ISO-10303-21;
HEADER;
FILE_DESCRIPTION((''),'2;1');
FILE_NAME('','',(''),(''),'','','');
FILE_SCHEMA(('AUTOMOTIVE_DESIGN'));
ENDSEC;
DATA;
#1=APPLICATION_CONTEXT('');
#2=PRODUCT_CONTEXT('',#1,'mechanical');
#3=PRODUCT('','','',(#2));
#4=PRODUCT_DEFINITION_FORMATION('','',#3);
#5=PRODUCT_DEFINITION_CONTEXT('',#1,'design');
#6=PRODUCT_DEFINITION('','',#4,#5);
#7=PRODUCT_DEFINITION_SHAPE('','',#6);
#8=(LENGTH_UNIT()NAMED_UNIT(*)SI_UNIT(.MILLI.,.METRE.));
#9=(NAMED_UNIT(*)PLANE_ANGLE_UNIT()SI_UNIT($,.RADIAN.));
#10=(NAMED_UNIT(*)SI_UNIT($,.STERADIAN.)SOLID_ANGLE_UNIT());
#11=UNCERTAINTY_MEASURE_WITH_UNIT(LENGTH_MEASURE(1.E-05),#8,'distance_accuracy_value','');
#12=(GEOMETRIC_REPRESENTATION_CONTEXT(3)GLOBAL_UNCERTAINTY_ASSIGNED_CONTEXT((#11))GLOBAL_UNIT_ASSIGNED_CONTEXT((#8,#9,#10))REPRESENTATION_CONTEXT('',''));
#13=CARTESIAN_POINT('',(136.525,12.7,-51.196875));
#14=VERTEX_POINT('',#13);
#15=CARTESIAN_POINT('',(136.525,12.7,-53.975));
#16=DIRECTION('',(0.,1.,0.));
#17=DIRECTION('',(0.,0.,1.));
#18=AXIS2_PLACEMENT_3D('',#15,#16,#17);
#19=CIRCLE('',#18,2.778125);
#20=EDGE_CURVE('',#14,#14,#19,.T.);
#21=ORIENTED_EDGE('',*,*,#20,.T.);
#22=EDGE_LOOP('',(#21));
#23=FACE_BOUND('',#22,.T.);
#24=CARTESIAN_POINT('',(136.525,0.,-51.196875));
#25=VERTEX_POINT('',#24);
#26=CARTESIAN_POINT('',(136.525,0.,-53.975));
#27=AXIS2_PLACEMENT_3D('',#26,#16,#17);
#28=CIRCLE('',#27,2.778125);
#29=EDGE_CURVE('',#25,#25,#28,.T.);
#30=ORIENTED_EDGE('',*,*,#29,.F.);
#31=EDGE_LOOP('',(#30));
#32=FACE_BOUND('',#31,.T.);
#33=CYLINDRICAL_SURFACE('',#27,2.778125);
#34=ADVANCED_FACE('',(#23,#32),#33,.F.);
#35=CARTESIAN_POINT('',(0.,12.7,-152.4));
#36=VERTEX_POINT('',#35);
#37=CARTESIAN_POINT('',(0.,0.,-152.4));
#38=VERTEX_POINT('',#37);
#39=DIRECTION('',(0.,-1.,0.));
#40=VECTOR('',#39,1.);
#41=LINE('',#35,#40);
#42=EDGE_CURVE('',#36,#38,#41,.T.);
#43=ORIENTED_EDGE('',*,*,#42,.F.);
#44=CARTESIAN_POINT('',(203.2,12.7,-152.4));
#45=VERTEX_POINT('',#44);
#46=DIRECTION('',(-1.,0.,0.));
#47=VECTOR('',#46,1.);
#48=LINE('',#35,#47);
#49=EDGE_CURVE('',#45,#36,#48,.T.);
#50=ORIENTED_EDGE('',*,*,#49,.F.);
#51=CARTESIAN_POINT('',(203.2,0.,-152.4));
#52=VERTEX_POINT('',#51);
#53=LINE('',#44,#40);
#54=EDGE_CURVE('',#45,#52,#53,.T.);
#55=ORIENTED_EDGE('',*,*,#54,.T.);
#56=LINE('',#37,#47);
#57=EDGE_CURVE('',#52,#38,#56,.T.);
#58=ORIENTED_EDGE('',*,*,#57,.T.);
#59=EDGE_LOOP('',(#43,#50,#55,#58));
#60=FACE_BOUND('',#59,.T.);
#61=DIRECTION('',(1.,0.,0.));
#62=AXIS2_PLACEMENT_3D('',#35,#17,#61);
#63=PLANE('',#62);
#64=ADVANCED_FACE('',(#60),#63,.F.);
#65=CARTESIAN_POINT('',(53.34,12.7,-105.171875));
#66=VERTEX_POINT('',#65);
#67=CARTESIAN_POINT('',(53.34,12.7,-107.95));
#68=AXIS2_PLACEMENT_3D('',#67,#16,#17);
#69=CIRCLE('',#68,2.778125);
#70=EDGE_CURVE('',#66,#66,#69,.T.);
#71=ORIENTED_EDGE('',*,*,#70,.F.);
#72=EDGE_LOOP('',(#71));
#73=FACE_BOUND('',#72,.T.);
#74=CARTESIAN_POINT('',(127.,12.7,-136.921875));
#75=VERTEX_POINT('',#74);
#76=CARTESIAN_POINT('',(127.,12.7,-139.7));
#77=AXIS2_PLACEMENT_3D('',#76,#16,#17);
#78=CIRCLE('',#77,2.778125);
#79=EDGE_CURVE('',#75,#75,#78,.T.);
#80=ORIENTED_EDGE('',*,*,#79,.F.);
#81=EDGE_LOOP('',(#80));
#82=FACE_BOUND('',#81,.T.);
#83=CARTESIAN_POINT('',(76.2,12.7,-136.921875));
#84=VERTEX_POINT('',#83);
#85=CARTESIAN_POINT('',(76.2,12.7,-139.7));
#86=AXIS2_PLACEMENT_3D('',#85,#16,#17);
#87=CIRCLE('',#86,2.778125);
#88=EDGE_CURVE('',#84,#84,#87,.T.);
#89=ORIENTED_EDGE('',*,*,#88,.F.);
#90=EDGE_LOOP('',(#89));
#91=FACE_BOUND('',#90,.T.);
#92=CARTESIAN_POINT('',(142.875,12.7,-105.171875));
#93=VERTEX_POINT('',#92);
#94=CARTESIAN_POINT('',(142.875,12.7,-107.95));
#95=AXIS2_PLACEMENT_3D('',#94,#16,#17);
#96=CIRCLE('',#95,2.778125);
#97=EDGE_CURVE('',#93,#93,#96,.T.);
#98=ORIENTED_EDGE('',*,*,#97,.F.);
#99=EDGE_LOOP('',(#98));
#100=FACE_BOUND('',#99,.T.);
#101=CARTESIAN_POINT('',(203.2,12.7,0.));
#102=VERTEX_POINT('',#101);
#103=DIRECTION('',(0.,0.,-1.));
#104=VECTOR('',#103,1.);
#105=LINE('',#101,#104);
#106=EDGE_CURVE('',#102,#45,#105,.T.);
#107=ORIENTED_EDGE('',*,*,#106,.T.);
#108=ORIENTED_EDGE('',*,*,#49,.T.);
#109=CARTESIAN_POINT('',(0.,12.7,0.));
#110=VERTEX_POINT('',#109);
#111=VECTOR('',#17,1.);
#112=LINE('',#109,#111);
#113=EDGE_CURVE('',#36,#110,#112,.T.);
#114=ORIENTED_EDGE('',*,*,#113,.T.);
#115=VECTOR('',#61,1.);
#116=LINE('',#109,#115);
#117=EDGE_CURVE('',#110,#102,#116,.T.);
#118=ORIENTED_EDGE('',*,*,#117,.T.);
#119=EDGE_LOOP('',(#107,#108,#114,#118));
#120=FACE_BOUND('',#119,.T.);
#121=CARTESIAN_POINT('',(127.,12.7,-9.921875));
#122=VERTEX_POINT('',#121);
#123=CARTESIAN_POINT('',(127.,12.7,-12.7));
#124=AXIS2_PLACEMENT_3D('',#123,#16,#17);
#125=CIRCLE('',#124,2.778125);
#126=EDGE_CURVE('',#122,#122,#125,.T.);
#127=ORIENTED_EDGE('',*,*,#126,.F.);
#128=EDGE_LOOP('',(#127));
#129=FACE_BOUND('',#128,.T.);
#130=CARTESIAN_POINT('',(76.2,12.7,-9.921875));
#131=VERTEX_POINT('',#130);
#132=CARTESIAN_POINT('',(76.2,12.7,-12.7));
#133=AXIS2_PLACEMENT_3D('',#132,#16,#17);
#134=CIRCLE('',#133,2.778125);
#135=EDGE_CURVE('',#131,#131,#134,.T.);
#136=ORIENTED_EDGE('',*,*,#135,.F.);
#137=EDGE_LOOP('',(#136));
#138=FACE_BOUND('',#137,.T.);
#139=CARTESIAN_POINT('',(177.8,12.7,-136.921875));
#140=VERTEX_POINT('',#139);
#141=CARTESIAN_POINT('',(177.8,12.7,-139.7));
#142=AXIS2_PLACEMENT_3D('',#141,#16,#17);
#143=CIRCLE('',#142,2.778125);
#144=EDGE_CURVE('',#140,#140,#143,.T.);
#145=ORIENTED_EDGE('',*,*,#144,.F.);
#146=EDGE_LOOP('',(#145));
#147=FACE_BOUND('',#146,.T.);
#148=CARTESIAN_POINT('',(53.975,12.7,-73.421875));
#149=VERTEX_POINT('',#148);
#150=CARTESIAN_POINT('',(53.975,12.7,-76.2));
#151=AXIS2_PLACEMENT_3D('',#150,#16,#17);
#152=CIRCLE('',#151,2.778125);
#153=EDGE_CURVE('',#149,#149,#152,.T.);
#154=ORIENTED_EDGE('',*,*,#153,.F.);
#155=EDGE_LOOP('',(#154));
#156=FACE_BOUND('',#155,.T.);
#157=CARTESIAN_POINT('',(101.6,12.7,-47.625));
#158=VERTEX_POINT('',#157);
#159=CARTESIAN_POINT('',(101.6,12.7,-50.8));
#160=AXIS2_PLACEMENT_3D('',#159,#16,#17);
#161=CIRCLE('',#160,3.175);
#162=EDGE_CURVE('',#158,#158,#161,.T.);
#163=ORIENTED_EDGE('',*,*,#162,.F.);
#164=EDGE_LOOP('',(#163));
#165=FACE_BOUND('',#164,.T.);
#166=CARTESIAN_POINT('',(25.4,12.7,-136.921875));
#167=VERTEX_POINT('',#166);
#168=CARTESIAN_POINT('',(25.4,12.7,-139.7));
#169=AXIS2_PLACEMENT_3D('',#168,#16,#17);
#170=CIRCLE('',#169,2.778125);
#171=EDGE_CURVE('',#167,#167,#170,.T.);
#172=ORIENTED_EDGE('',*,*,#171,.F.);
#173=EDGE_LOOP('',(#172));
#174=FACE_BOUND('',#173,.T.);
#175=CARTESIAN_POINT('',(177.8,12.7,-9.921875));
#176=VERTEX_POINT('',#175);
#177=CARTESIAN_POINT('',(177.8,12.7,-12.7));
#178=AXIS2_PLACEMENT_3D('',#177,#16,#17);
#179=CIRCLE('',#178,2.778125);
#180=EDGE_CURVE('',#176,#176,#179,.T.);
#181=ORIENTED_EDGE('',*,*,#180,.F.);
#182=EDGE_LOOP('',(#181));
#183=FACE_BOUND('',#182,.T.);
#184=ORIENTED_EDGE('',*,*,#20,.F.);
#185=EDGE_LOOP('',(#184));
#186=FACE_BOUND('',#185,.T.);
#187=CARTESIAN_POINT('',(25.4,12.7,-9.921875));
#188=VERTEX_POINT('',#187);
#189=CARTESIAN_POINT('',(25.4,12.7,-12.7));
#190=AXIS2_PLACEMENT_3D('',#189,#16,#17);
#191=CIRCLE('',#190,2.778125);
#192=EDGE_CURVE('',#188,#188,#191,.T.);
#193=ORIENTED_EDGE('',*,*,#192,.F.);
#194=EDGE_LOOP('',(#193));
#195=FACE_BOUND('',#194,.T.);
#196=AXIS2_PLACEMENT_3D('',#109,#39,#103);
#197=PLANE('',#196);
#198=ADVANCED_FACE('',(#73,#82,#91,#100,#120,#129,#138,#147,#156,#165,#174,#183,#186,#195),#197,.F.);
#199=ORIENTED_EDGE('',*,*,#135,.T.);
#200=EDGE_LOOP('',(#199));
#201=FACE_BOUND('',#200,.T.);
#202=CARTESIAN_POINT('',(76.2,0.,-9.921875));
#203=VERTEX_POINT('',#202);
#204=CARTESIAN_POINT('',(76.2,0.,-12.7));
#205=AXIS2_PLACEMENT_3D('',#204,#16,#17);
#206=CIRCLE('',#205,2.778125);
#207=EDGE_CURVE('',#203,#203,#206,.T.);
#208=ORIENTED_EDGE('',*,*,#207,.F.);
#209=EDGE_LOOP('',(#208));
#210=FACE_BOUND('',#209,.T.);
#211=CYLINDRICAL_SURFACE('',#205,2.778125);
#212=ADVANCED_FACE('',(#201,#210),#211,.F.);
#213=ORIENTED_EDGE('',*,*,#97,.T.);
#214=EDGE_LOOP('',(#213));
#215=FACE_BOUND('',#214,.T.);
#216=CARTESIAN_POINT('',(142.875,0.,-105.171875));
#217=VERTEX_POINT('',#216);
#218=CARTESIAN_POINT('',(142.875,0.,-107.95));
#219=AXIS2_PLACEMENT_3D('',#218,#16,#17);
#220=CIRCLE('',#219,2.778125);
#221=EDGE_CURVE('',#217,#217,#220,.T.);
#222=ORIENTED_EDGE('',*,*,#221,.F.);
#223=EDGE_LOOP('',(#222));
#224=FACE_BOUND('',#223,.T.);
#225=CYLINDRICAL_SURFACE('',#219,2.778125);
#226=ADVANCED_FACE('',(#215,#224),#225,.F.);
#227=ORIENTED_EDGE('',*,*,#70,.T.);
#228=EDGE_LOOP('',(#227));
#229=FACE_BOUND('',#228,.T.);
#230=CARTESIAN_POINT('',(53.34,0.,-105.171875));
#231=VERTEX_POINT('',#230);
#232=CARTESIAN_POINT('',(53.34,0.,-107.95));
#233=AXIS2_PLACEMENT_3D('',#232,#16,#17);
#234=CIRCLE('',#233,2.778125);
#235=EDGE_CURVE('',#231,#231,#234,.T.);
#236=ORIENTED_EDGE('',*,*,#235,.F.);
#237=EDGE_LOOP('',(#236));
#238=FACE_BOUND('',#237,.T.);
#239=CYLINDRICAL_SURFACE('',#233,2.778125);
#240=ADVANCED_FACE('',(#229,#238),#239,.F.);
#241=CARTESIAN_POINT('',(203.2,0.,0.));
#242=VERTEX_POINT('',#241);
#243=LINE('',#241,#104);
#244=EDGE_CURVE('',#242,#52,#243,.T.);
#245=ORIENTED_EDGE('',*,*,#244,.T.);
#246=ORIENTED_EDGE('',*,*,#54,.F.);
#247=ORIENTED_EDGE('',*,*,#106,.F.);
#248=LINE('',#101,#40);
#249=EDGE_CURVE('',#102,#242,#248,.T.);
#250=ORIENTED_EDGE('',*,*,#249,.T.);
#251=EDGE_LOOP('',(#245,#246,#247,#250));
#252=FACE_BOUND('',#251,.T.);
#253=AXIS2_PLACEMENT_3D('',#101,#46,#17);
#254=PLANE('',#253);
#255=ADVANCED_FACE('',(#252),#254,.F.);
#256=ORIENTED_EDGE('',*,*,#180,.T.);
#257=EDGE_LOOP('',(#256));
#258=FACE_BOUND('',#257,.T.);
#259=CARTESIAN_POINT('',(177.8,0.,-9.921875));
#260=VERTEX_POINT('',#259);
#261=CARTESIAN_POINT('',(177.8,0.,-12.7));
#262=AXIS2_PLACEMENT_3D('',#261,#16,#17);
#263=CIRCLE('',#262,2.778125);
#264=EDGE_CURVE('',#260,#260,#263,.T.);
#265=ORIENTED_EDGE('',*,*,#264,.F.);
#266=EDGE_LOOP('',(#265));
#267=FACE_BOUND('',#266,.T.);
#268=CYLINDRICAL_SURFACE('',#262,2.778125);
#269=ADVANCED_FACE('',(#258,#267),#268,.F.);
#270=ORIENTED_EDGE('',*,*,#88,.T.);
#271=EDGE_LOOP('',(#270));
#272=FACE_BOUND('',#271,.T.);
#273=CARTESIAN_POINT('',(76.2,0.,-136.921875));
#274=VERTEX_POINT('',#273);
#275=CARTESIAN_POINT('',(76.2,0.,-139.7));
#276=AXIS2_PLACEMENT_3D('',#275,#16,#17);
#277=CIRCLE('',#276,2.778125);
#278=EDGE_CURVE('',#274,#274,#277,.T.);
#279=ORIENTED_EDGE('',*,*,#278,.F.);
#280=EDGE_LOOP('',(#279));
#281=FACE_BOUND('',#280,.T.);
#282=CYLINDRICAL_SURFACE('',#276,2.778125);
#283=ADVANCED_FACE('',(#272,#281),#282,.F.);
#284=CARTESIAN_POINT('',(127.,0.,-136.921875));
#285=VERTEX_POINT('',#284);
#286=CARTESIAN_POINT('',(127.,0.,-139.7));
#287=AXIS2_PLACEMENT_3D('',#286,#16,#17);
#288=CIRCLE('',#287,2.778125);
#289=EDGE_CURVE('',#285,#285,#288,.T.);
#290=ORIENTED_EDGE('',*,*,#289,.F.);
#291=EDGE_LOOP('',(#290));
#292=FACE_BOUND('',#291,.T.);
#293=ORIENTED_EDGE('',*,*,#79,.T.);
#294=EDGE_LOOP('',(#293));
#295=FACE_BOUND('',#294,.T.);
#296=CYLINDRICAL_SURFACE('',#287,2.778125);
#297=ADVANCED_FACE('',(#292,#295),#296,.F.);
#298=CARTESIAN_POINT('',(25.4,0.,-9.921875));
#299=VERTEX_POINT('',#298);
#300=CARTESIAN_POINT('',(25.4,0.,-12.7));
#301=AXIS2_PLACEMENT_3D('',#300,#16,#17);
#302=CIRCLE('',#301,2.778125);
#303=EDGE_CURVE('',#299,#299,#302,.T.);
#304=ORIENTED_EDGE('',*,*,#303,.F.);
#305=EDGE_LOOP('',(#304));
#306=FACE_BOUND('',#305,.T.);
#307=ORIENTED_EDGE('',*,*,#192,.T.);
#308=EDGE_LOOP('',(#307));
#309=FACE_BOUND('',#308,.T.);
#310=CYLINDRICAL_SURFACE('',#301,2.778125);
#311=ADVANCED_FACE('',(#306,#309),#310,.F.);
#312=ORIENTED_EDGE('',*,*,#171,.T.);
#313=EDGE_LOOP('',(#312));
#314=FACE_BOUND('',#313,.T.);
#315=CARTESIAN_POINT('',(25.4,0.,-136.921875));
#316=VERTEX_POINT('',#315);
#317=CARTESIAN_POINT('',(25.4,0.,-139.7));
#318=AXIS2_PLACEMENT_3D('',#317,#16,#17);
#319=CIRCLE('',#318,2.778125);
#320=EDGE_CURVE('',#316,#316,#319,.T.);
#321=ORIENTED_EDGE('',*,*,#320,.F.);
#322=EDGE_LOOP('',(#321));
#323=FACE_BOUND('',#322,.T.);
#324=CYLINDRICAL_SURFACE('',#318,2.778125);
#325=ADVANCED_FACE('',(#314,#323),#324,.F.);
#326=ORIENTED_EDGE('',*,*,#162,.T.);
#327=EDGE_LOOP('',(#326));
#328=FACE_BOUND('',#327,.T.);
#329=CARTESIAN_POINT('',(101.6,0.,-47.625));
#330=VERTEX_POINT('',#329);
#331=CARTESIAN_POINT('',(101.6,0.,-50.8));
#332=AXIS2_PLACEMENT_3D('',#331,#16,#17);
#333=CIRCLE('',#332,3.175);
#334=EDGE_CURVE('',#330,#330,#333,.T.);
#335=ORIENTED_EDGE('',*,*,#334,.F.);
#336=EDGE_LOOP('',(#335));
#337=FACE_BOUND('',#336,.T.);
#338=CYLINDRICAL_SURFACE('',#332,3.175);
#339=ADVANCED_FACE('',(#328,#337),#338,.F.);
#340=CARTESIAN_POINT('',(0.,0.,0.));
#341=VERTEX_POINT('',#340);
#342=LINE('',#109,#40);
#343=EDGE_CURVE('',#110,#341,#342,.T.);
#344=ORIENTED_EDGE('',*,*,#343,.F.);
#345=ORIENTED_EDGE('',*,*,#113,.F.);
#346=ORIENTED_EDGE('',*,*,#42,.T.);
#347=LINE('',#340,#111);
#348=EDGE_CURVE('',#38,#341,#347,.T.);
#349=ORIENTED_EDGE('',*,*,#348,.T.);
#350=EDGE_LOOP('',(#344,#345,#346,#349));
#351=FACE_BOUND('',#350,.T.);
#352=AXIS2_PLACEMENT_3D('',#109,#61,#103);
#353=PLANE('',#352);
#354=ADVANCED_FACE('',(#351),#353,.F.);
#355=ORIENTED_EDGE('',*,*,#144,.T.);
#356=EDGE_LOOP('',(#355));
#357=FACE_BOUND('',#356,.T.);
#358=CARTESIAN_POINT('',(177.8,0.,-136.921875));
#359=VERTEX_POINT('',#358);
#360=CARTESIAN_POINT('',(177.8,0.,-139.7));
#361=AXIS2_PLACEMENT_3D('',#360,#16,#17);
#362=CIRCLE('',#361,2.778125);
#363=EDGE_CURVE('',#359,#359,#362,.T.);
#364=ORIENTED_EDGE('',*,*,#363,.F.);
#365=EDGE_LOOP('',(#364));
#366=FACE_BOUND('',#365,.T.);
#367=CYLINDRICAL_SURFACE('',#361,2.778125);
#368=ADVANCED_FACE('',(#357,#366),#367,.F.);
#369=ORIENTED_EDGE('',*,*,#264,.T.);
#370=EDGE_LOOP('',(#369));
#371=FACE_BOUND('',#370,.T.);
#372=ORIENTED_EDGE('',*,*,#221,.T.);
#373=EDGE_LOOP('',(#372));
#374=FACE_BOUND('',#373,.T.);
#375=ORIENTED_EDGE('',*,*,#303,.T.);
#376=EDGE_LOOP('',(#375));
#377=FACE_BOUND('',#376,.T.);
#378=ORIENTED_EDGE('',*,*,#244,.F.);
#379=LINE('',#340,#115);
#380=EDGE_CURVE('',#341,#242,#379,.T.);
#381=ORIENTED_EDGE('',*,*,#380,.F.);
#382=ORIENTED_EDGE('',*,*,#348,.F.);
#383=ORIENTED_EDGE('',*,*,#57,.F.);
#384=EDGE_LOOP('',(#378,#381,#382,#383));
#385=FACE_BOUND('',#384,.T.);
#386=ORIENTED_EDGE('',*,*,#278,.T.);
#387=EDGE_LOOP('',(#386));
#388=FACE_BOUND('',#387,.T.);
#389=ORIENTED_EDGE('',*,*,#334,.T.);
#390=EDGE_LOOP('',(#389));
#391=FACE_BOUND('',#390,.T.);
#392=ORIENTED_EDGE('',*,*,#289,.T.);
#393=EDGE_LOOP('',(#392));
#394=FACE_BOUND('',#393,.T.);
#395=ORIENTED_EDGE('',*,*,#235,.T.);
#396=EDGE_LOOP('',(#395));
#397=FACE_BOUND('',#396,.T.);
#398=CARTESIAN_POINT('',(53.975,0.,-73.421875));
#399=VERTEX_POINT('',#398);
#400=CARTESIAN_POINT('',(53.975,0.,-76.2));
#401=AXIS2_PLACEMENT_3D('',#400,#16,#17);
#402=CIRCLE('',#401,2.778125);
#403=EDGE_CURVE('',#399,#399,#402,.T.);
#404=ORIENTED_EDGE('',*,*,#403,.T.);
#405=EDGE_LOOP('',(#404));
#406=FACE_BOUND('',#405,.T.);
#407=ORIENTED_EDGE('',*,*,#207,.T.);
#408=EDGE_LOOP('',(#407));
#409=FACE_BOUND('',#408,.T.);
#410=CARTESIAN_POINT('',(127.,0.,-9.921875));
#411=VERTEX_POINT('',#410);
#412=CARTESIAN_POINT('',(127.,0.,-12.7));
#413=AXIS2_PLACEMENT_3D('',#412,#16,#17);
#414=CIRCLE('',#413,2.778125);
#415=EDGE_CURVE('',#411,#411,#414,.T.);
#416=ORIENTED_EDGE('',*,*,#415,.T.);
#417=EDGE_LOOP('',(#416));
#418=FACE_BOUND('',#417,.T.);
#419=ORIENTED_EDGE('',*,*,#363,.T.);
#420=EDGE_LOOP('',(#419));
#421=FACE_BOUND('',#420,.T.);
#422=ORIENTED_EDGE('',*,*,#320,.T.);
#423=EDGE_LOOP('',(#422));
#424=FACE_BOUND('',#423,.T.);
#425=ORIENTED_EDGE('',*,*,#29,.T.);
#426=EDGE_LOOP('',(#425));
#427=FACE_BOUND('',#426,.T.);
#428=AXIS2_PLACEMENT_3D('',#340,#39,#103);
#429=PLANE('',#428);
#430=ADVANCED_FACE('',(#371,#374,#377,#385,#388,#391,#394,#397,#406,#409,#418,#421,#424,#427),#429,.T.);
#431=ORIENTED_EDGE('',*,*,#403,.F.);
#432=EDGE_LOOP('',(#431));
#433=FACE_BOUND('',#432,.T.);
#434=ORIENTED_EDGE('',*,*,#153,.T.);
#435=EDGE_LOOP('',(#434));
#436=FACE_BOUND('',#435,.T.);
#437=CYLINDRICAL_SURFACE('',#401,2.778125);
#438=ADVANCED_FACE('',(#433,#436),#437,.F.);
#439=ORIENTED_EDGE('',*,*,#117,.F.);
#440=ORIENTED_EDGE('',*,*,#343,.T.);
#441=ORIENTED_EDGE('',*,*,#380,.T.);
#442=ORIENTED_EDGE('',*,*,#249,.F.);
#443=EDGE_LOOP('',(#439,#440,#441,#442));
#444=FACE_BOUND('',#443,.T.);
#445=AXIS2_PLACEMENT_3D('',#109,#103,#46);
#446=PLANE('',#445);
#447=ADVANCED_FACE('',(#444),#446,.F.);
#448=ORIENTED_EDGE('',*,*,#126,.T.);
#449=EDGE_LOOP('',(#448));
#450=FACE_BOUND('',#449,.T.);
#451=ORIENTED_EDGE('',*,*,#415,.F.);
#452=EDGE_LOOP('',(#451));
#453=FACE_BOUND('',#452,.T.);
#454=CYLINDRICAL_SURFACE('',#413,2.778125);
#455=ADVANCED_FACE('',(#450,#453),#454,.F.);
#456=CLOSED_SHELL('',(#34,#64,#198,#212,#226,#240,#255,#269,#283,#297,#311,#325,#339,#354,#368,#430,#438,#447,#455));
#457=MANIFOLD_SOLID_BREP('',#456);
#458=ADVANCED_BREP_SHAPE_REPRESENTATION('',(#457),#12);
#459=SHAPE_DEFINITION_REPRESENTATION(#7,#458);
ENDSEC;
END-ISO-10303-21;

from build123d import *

# Parameters (mm, degrees)
SKETCH1_W           = 203.2
SKETCH1_H           = 152.4
BOSS_EXTRUDE1_DEPTH = 12.7
SKETCH2_R           = 2.778125
CUT_EXTRUDE1_DEPTH  = 255.31730181
LPATTERN1_COUNT     = 4
LPATTERN1_PITCH     = 50.8
SKETCH4_R           = 2.778125
SKETCH4_R_2         = 3.175
CUT_EXTRUDE2_DEPTH  = 255.31730181


with BuildPart() as part:
    # Sketch1 → Boss-Extrude1 (new body)
    with BuildSketch(Plane(origin=(0, 0, 0), x_dir=(1, 0, 0), z_dir=(0, 1, 0))):
        with Locations((101.6, 76.2)):
            Rectangle(SKETCH1_W, SKETCH1_H)
    extrude(amount=BOSS_EXTRUDE1_DEPTH)

    # Sketch2 → Cut-Extrude1 (cut, through all)
    with BuildSketch(Plane(origin=(0, 12.7, 0), x_dir=(1, 0, 0), z_dir=(0, 1, 0))):
        with Locations(Location((25.4, 139.7, 0), (0, 0, 270))):
            Circle(SKETCH2_R)
        with Locations(Location((25.4, 12.7, 0), (0, 0, 270))):
            Circle(SKETCH2_R)
    cut_extrude1 = extrude(amount=-CUT_EXTRUDE1_DEPTH, mode=Mode.SUBTRACT)

    # LPattern1: Cut-Extrude1 ×4
    with Locations(*[(i * LPATTERN1_PITCH, 0, 0) for i in range(1, LPATTERN1_COUNT)]):
        add(cut_extrude1, mode=Mode.SUBTRACT)

    # Sketch4 → Cut-Extrude2 (cut, through all)
    with BuildSketch(Plane(origin=(0, 12.7, 0), x_dir=(1, 0, 0), z_dir=(0, 1, 0))):
        with Locations(Location((53.975, 76.2, 0), (0, 0, 270))):
            Circle(SKETCH4_R)
        with Locations(Location((53.34, 107.95, 0), (0, 0, 270))):
            Circle(SKETCH4_R)
        with Locations(Location((101.6, 50.8, 0), (0, 0, 270))):
            Circle(SKETCH4_R_2)
        with Locations(Location((142.875, 107.95, 0), (0, 0, 270))):
            Circle(SKETCH4_R)
        with Locations(Location((136.525, 53.975, 0), (0, 0, 270))):
            Circle(SKETCH4_R)
    extrude(amount=-CUT_EXTRUDE2_DEPTH, mode=Mode.SUBTRACT)


solid = part.part
